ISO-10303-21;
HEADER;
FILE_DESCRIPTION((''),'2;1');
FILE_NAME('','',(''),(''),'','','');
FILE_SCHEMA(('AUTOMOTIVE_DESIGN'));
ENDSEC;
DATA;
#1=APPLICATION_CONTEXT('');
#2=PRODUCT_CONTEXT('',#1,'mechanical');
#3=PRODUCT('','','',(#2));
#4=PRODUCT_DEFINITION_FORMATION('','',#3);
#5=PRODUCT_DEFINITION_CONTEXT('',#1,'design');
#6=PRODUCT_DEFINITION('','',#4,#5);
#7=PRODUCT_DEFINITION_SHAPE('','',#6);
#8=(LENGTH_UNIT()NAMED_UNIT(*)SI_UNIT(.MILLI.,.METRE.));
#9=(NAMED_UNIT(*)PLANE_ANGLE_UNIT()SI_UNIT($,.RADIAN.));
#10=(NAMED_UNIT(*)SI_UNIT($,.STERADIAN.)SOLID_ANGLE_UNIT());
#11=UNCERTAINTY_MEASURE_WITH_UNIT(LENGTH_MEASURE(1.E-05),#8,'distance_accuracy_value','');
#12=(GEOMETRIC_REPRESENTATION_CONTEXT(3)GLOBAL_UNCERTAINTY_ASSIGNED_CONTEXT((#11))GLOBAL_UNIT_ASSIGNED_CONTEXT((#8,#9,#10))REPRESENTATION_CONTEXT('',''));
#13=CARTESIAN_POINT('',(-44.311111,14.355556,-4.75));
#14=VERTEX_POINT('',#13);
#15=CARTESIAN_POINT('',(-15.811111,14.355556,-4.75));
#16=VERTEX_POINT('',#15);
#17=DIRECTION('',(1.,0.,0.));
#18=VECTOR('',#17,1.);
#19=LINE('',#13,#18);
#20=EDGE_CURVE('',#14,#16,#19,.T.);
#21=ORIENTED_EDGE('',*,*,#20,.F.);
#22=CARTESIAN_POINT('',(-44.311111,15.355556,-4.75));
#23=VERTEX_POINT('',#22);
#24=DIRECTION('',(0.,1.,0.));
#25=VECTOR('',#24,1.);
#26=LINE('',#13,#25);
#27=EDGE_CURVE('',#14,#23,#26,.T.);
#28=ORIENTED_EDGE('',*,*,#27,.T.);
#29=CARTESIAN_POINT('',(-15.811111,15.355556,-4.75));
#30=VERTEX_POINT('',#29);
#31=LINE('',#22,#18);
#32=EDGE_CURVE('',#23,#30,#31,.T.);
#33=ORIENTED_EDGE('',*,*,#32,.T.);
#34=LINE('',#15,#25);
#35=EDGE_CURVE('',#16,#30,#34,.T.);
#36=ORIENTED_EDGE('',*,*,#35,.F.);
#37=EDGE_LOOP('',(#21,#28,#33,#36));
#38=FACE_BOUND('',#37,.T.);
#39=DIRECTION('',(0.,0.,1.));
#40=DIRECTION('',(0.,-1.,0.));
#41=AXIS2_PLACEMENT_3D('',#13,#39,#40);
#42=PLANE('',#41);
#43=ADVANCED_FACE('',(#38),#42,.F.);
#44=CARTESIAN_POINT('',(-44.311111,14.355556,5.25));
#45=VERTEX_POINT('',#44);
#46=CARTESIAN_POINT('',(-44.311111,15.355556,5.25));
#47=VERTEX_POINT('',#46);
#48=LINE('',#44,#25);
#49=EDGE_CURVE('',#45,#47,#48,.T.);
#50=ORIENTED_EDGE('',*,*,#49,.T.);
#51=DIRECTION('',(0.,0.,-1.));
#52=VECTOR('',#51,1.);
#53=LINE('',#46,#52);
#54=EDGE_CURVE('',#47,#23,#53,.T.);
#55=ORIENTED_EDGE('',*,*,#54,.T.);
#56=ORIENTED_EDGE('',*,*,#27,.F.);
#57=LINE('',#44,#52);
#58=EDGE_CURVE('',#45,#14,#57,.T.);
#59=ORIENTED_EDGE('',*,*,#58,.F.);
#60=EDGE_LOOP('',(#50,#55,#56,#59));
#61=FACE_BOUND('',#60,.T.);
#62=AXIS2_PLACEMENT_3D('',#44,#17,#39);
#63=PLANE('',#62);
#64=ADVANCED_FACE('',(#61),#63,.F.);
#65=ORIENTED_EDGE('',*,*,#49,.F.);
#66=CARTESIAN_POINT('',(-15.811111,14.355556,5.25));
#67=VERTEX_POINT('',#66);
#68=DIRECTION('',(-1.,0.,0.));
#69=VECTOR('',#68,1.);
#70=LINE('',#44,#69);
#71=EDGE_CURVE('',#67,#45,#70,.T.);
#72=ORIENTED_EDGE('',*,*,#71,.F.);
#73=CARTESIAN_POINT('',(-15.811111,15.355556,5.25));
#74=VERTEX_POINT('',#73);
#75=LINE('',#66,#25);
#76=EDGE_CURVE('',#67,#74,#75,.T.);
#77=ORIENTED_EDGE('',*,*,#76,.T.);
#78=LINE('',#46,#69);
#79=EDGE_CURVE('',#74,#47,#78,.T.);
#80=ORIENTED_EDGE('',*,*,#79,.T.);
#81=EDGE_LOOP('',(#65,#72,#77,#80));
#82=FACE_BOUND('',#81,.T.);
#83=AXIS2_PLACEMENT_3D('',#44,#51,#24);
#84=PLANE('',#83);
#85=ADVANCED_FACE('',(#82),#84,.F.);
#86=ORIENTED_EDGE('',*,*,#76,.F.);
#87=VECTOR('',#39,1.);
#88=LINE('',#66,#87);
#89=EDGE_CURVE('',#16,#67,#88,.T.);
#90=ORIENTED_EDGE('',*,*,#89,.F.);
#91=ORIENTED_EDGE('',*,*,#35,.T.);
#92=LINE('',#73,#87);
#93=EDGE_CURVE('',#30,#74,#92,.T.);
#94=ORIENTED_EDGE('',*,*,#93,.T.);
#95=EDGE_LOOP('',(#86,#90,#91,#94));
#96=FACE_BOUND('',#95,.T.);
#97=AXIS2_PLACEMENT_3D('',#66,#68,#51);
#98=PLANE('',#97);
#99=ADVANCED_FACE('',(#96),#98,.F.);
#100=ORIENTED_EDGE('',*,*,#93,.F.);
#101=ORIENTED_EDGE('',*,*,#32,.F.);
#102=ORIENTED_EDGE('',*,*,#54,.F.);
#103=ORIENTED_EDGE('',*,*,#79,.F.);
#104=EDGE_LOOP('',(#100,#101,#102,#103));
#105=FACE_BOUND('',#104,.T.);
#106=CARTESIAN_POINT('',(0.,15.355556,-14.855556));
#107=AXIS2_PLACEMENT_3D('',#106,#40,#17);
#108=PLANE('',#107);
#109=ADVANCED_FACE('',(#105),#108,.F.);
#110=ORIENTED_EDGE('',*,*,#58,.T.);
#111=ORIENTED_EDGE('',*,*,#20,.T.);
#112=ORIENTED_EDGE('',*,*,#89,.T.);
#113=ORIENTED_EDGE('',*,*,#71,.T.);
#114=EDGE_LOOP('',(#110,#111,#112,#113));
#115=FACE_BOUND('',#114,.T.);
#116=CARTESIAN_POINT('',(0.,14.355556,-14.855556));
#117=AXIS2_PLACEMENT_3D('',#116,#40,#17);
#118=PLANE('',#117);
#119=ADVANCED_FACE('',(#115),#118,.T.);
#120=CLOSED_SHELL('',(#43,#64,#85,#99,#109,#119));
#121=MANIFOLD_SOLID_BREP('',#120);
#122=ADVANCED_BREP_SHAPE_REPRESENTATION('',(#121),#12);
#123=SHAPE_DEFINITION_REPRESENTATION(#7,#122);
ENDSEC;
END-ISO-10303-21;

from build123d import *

# Parameters (mm, degrees)
SKETCH1_W             = 28.5
SKETCH1_H             = 10
BOSS_EXTRUDE1_DEPTH   = 1
BODY_MOVE_COPY1_ANGLE = 90


with BuildPart() as part:
    # Sketch1 → Boss-Extrude1 (new body)
    with BuildSketch(Plane.XY):
        with Locations((-30.061111111, 15.105555556)):
            Rectangle(SKETCH1_W, SKETCH1_H)
    extrude(amount=BOSS_EXTRUDE1_DEPTH)


with BuildPart() as part_1:
    # Body-Move/Copy1: moved
    add(part.part.rotate(Axis((0, 15.105555556, 0.25), (1, 0, 0)), BODY_MOVE_COPY1_ANGLE))


solid = part_1.part
